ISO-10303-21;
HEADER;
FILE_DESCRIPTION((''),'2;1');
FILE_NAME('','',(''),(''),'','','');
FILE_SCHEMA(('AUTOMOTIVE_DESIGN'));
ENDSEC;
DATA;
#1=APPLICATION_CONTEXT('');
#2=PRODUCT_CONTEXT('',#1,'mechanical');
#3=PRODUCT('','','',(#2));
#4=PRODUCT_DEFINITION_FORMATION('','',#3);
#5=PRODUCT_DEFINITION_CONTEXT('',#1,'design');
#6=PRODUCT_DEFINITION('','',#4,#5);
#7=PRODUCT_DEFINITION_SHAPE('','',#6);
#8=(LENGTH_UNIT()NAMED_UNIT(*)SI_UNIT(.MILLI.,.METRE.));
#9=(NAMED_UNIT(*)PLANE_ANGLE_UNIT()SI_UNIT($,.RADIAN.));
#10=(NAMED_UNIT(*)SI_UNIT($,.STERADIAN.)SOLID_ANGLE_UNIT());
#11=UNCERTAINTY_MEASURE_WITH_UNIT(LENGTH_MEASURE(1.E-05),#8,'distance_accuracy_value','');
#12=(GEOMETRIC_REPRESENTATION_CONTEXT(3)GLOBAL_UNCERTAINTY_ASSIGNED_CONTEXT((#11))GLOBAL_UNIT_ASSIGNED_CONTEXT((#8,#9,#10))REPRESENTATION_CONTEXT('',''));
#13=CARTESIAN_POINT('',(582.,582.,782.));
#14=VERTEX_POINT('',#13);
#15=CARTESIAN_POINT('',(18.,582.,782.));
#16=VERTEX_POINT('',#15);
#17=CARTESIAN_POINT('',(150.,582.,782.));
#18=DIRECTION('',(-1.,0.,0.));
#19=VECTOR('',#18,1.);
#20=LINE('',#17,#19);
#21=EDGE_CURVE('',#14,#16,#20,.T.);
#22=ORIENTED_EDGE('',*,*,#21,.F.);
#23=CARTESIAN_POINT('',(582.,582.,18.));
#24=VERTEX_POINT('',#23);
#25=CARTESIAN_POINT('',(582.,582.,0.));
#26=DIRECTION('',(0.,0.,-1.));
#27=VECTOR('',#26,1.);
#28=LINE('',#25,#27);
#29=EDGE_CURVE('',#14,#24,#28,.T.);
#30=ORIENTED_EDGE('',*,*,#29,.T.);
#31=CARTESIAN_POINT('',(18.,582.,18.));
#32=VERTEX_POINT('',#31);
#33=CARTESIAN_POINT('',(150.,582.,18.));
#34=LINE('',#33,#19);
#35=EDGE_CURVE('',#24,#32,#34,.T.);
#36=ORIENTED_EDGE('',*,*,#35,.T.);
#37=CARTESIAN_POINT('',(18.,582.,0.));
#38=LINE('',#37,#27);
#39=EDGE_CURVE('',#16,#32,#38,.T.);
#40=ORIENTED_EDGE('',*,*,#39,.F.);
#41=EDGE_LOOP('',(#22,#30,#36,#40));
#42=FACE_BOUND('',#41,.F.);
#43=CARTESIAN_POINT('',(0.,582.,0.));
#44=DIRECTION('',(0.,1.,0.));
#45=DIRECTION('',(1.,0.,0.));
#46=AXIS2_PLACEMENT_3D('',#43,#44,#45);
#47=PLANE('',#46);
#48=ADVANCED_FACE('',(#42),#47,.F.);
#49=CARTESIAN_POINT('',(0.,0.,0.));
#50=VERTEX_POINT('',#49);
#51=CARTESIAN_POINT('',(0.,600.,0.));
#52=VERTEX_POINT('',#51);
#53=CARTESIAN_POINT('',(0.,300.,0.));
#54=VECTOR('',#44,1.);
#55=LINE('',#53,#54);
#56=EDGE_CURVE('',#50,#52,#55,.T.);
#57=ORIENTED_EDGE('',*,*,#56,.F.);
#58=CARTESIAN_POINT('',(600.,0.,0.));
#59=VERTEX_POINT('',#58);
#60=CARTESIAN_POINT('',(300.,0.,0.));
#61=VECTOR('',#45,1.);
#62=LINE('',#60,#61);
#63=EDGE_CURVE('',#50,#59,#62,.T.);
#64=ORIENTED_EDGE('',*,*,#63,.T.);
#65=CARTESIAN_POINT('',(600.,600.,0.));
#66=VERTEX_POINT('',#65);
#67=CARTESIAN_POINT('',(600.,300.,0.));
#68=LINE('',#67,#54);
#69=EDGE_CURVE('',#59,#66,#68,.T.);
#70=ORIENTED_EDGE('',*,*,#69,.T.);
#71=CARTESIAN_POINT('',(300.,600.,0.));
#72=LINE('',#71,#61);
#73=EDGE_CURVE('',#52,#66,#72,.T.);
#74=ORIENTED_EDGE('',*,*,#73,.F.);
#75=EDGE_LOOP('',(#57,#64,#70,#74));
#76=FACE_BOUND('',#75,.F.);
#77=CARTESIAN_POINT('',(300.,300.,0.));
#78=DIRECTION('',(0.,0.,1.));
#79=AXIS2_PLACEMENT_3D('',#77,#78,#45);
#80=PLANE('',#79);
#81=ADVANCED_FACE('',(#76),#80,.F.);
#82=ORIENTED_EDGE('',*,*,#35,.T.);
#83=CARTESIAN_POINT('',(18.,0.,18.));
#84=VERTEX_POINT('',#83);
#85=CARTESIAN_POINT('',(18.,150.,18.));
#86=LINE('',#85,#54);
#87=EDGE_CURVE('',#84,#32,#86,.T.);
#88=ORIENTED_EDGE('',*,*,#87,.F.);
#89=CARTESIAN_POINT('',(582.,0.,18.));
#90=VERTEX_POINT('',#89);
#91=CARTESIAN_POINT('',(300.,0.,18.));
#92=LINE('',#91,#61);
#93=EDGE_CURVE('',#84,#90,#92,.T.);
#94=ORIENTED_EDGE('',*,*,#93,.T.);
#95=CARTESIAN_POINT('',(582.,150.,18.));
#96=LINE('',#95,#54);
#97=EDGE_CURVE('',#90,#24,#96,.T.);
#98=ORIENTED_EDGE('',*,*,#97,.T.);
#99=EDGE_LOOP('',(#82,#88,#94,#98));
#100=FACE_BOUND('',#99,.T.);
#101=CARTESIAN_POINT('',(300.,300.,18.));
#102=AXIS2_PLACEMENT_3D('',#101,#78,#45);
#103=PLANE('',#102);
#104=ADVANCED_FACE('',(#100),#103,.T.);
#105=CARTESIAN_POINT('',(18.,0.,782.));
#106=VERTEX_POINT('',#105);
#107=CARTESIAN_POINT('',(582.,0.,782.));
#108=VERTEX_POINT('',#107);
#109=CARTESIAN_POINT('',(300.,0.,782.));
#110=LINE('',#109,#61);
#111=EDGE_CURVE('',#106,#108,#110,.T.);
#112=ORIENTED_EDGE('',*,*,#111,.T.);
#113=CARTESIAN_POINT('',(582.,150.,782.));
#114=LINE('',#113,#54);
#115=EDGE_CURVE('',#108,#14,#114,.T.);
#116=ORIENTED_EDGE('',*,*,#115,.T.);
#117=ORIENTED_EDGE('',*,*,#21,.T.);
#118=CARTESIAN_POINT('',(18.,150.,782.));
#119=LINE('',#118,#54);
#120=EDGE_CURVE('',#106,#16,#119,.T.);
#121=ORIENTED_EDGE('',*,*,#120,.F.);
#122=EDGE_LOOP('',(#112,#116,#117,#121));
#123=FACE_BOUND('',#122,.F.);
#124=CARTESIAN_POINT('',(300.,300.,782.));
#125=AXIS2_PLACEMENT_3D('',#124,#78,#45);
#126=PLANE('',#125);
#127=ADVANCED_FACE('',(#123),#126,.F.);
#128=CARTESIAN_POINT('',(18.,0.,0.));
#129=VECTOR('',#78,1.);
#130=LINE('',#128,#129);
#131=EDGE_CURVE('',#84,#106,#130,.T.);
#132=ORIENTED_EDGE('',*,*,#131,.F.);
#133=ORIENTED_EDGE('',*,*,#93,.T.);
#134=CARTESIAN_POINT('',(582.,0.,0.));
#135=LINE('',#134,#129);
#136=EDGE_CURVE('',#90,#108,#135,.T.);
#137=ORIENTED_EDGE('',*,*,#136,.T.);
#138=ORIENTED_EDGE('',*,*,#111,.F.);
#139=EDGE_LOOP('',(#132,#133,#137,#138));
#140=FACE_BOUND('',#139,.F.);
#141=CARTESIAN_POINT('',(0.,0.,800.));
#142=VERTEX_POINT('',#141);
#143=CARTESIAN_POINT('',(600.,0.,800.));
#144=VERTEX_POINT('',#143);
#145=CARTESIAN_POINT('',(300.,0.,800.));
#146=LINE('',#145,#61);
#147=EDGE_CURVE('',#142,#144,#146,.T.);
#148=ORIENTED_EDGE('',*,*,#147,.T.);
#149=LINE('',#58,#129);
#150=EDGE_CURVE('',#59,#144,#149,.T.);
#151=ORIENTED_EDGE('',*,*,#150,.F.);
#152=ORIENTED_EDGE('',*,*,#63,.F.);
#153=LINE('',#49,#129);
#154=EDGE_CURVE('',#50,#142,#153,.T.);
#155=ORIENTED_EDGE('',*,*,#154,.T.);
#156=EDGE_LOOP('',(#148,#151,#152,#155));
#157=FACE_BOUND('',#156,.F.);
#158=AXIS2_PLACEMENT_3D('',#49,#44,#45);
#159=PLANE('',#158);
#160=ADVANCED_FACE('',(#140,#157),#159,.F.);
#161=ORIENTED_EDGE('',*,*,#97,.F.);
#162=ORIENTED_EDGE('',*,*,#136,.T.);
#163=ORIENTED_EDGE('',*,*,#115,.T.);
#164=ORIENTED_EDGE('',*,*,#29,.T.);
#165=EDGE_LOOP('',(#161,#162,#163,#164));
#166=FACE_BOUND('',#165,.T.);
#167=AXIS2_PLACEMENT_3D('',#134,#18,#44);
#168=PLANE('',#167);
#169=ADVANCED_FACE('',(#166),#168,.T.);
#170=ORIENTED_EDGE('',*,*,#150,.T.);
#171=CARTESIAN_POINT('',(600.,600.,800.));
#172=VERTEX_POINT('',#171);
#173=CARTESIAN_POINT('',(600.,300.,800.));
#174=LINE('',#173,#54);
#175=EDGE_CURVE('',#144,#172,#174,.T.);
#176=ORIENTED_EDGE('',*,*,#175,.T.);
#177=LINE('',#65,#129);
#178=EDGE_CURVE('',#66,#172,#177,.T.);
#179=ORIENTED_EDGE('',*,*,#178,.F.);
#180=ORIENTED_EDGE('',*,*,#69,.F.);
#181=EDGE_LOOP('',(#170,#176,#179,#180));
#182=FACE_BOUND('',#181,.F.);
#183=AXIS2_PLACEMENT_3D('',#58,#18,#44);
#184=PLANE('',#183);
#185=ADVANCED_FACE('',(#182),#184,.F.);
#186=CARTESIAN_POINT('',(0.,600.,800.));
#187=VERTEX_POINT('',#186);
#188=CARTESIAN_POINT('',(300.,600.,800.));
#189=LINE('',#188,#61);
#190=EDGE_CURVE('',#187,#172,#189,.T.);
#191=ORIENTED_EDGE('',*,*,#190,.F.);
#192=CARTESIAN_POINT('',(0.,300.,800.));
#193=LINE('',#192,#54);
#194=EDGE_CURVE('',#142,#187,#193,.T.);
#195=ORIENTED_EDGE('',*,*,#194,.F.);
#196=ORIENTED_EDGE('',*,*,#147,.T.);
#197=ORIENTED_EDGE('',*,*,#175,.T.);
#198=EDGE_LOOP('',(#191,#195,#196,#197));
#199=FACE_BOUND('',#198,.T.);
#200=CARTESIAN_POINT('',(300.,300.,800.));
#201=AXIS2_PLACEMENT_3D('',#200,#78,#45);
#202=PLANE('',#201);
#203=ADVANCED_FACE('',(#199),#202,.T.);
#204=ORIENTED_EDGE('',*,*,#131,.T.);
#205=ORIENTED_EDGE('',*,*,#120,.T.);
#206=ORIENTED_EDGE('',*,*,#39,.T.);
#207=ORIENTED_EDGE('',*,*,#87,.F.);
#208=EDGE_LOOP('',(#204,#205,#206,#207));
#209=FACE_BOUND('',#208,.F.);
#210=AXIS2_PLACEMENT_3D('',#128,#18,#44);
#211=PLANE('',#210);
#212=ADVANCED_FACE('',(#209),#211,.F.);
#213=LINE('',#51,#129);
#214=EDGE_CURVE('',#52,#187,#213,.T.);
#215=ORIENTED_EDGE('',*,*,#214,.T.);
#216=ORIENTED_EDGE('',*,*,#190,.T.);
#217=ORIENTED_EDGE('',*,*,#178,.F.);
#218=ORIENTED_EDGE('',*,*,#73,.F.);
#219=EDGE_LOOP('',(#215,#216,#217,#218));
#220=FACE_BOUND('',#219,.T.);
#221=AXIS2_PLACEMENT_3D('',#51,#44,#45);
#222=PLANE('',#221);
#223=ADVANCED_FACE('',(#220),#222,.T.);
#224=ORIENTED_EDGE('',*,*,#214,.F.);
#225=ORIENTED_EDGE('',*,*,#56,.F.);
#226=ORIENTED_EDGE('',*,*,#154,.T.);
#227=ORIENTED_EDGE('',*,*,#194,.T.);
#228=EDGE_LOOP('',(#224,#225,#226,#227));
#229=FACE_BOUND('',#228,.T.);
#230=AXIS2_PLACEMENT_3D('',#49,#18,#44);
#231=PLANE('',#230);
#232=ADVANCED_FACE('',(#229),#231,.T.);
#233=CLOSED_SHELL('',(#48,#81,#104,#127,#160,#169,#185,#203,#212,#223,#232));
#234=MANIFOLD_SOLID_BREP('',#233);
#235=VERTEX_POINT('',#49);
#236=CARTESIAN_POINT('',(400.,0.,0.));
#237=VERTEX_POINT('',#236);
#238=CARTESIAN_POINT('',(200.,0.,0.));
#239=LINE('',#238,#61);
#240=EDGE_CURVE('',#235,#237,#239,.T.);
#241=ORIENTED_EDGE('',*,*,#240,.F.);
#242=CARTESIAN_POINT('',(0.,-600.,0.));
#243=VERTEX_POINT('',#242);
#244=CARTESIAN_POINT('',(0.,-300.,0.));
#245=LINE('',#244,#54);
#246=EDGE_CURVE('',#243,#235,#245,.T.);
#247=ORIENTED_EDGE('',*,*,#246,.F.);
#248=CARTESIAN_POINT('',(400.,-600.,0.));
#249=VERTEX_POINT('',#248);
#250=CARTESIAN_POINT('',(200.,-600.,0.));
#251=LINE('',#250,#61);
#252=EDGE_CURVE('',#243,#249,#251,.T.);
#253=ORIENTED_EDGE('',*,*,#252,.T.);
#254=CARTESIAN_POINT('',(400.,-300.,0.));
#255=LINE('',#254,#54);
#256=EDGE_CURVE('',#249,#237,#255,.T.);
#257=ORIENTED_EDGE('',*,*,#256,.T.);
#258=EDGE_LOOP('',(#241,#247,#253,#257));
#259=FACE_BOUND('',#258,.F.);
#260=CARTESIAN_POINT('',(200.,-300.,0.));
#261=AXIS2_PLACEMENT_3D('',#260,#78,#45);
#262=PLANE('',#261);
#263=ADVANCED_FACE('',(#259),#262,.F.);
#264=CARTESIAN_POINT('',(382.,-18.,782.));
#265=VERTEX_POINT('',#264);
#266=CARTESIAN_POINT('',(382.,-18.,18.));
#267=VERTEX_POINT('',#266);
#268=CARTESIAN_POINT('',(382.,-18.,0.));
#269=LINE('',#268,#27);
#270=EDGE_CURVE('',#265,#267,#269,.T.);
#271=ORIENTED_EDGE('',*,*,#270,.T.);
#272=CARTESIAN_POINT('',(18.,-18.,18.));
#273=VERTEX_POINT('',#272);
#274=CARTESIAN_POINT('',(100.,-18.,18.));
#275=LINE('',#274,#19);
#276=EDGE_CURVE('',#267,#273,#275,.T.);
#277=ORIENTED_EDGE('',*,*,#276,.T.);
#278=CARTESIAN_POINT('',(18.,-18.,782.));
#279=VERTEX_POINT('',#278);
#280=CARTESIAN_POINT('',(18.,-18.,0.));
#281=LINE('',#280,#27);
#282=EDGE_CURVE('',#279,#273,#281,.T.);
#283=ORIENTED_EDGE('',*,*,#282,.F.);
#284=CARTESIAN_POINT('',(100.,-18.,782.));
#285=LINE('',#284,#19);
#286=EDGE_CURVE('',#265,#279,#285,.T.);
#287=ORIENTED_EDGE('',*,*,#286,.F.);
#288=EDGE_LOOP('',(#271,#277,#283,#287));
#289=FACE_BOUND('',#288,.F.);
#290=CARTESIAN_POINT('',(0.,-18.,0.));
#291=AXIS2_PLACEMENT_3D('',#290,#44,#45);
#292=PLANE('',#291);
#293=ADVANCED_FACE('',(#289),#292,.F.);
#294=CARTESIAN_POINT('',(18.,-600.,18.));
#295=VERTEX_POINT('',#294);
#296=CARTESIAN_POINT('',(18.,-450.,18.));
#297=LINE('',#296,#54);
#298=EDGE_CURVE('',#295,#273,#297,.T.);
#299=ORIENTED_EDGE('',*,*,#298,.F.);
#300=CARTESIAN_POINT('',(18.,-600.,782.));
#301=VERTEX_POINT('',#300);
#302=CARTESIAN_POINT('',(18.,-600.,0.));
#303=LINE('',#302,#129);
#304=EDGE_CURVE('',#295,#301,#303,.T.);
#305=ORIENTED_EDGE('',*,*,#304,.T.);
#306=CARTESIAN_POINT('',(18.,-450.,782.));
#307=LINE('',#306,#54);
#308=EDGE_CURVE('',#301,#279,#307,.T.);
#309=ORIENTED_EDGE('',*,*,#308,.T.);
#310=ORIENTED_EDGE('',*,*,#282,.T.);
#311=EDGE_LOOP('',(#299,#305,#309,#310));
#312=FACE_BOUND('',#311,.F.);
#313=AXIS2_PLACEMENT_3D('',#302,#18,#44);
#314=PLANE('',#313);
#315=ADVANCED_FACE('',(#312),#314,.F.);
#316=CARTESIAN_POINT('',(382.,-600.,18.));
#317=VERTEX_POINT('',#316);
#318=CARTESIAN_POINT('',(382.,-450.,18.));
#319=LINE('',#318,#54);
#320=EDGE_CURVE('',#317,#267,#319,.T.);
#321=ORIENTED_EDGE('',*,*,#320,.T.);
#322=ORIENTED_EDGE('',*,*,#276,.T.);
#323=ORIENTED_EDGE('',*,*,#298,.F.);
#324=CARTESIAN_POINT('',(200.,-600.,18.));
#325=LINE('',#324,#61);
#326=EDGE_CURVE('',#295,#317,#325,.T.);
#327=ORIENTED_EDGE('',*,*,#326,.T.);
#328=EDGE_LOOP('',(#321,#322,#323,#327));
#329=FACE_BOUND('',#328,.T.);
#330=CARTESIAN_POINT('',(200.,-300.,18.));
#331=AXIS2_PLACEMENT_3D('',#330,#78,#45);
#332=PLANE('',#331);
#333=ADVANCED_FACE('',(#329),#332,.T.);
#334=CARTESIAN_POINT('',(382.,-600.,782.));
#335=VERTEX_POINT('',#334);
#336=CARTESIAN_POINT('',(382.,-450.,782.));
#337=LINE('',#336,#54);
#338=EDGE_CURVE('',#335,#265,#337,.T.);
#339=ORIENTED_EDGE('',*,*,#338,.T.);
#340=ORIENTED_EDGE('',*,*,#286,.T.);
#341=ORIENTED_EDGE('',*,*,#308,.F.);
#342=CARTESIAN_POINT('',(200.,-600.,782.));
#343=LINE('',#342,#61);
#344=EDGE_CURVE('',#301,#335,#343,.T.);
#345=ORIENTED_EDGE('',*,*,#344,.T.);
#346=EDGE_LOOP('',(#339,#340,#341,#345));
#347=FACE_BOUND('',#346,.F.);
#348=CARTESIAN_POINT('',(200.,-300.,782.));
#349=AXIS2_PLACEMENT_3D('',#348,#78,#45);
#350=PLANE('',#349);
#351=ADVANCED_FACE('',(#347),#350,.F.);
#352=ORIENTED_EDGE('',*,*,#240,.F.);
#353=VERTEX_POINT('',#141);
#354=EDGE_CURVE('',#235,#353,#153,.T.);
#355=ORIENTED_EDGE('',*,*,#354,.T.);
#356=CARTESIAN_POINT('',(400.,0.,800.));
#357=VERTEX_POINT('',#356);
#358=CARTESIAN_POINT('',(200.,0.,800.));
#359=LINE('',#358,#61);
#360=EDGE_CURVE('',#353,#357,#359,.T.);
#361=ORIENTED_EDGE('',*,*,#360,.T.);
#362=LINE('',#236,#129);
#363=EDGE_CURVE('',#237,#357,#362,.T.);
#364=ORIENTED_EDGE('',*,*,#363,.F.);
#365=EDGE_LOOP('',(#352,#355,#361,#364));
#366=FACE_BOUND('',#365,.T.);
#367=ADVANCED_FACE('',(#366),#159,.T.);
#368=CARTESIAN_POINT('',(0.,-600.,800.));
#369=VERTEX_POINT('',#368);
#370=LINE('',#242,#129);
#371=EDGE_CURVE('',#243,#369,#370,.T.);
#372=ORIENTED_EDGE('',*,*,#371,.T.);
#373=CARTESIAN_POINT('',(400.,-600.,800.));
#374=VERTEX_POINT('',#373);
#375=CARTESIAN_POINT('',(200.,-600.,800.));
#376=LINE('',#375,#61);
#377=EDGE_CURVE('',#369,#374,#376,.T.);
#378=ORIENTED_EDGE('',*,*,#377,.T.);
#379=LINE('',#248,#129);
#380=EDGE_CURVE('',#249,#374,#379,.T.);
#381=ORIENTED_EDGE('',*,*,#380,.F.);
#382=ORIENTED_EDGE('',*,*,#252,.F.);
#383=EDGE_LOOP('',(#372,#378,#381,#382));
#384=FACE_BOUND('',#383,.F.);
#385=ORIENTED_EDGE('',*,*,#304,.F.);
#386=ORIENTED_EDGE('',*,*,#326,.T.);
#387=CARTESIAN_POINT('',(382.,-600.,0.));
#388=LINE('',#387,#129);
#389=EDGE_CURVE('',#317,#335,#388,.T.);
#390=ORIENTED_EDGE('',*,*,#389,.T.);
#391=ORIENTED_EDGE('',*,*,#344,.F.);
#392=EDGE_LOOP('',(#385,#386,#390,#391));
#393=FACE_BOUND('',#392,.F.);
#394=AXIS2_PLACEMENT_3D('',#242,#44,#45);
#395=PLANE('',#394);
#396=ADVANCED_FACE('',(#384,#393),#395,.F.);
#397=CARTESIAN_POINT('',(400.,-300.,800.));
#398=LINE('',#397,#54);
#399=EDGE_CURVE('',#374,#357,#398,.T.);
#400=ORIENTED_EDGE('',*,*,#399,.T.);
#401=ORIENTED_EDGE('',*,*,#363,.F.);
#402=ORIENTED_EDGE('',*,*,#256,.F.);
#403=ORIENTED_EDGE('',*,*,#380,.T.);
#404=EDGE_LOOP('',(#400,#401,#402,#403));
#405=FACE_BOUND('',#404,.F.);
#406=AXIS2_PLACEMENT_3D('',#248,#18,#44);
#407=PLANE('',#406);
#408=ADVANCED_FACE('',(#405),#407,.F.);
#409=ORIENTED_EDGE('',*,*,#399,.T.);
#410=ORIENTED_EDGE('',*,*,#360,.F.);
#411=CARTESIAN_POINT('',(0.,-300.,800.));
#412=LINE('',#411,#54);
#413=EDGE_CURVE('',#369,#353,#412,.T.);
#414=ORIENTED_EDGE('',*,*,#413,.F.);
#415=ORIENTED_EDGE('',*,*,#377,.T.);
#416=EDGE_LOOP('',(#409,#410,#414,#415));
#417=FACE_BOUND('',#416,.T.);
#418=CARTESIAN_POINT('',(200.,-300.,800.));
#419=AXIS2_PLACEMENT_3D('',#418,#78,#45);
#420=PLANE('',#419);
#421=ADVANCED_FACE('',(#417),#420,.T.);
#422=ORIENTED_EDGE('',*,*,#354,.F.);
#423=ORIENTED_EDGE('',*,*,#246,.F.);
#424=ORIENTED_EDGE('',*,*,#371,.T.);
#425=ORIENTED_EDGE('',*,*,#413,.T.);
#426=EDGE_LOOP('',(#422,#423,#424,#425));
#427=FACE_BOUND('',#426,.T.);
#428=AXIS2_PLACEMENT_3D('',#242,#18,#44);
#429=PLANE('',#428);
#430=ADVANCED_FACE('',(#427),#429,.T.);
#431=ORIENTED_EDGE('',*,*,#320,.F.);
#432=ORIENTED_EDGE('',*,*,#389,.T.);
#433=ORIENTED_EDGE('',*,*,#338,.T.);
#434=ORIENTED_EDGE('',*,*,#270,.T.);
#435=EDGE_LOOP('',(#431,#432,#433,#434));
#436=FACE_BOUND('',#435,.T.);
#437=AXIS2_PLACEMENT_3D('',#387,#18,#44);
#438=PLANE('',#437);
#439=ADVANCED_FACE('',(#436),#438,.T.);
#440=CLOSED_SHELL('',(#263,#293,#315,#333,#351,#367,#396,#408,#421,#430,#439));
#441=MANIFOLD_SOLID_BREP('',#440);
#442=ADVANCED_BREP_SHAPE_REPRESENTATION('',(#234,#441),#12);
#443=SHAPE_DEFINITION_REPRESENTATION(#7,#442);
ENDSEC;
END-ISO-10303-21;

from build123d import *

# Parameters (mm, degrees)
F0_W     = 600
F0_H     = 600
F1_DEPTH = 800
F2_W     = 400
F2_H     = 600
F3_DEPTH = 800
F4_T     = -18
F5_T     = -18


with BuildPart() as f1:
    # F0 (on Top) → F1 (new body)
    with BuildSketch(Plane.XY):
        with Locations((300, 300)):
            Rectangle(F0_W, F0_H)
    extrude(amount=F1_DEPTH)

    # F5
    f5_openings = [f1.faces().sort_by_distance(p)[0] for p in [
        (300, 0, 400),
    ]]
    offset(amount=F5_T, openings=f5_openings)


with BuildPart() as f3:
    # F2 (on Top) → F3 (new body)
    with BuildSketch(Plane.XY):
        with Locations((200, -300)):
            Rectangle(F2_W, F2_H)
    extrude(amount=F3_DEPTH)

    # F4
    f4_openings = [f3.faces().sort_by_distance(p)[0] for p in [
        (200, -600, 400),
    ]]
    offset(amount=F4_T, openings=f4_openings)


solid = Compound([f1.part, f3.part])
